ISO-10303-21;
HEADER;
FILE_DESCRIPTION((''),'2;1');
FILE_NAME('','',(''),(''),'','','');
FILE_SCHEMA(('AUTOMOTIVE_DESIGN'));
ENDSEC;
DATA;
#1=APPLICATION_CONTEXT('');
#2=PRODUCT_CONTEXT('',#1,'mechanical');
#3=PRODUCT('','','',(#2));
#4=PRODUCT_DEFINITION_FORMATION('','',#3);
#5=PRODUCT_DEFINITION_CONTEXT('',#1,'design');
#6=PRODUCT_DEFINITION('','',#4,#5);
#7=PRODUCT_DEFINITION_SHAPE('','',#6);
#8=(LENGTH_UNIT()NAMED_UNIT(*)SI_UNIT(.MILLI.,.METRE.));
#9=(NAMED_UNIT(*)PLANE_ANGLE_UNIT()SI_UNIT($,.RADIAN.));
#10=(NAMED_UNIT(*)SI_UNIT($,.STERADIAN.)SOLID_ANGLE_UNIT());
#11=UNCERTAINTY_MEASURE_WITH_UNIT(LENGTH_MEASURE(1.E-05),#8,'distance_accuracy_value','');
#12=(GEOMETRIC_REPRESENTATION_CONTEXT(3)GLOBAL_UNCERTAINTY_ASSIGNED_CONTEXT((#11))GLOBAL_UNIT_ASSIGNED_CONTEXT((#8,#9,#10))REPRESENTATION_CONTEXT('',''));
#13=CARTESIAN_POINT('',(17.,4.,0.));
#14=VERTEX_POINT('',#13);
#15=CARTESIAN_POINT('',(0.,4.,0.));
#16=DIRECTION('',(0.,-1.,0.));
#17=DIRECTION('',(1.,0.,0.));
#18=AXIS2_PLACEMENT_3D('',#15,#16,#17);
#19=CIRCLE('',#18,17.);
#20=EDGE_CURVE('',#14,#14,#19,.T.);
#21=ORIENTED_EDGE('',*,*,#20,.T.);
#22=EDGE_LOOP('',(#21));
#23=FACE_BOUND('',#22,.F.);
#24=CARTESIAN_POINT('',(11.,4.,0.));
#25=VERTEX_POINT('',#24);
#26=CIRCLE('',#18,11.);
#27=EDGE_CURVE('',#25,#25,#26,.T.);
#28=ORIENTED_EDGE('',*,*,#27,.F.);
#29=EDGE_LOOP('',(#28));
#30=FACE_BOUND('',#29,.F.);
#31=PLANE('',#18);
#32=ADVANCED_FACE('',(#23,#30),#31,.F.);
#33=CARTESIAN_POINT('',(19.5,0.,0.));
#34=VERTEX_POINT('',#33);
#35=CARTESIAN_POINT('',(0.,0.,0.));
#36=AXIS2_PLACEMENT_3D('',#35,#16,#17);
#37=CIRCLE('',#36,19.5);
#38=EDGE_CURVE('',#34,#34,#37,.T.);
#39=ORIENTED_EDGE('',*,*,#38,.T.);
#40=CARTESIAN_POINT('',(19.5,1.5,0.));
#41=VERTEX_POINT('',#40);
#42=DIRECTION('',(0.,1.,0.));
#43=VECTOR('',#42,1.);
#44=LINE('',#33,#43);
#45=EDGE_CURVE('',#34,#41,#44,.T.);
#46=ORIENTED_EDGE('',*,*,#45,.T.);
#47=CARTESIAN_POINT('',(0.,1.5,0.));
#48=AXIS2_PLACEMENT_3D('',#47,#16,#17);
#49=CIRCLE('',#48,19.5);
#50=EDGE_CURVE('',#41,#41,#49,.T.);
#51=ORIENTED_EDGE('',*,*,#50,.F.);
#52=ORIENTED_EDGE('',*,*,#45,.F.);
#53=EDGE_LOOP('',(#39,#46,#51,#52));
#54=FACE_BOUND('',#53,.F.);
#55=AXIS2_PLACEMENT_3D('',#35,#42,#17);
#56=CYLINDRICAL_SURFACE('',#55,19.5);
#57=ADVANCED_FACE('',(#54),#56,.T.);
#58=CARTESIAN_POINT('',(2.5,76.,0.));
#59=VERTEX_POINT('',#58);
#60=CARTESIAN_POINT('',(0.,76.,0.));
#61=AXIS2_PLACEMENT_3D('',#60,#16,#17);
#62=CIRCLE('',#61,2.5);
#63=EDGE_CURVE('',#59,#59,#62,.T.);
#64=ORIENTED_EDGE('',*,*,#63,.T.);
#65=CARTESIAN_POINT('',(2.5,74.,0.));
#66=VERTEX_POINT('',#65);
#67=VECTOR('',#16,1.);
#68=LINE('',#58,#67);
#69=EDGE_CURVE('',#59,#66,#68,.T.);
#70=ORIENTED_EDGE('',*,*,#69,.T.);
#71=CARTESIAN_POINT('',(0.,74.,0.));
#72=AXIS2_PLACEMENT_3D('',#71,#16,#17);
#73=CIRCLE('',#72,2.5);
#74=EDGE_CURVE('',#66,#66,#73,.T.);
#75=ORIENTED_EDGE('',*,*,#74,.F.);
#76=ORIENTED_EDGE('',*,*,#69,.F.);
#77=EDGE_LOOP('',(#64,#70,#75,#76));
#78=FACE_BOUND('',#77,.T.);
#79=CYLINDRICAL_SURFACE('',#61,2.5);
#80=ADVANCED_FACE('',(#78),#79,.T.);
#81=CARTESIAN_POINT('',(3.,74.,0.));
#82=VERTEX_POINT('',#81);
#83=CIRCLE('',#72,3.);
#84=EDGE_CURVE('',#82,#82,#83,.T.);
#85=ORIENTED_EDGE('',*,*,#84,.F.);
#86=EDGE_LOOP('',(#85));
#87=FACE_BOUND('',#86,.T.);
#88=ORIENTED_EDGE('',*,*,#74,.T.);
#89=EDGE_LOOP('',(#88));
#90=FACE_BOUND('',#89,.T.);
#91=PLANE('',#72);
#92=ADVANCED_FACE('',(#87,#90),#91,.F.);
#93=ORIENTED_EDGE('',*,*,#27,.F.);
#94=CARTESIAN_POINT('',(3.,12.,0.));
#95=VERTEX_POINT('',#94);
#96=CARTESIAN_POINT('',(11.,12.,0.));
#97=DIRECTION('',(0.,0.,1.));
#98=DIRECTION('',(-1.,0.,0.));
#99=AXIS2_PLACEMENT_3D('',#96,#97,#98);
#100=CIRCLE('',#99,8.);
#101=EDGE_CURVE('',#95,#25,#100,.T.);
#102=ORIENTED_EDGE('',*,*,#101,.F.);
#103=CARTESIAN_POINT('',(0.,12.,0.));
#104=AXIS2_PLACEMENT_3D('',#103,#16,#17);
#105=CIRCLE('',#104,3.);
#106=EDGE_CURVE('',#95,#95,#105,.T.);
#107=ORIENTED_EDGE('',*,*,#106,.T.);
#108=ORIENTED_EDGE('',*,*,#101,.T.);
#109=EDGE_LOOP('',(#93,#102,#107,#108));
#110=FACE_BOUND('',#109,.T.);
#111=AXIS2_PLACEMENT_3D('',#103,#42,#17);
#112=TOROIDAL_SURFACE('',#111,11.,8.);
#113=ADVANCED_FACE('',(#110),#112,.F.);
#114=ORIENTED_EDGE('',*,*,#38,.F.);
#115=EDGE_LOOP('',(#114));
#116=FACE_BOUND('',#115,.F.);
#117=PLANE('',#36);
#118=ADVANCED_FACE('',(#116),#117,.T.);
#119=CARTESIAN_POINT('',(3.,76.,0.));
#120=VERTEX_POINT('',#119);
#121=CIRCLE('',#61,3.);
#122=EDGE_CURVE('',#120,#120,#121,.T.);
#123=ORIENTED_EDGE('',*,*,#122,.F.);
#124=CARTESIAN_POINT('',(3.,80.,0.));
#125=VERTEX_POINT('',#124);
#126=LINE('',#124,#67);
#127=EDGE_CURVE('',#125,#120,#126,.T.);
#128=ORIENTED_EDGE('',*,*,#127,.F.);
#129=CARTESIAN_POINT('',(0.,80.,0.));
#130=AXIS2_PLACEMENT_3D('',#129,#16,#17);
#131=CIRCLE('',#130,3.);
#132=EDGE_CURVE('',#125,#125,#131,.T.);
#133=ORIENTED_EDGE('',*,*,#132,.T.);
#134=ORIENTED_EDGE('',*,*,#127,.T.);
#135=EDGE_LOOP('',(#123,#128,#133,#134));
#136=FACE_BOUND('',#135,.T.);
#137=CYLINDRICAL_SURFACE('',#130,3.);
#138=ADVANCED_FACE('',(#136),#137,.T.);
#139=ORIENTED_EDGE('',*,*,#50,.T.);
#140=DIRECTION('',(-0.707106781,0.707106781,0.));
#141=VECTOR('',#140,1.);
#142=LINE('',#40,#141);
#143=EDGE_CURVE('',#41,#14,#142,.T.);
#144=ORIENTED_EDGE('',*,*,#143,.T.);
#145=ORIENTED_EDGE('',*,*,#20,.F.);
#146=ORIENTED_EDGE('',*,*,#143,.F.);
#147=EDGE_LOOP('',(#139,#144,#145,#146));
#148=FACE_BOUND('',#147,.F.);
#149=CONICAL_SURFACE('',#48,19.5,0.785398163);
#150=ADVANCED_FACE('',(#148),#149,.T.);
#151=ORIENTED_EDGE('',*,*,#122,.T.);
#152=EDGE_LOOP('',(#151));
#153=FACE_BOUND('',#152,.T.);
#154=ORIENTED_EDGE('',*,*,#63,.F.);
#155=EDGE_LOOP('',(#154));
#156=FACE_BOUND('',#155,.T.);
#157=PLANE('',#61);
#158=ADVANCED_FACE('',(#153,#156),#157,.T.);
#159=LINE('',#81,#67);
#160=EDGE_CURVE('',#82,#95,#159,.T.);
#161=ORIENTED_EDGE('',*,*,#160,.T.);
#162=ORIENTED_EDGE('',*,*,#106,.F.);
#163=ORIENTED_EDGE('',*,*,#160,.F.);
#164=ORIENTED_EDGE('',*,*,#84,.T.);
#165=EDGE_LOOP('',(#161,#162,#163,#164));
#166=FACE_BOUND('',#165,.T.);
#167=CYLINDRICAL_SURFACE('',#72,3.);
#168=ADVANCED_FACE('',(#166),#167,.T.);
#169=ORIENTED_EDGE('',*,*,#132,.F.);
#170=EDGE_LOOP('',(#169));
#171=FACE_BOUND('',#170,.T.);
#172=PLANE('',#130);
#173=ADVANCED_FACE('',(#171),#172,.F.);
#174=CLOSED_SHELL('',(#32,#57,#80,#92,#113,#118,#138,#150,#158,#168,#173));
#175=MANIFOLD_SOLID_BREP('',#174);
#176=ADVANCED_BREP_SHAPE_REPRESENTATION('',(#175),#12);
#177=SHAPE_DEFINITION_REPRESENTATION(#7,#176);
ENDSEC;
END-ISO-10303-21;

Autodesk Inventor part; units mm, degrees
ref_plane "YZ Plane" through (0, 0, 0) normal (1, 0, 0) x (0, 1, 0)
ref_plane "XZ Plane" through (0, 0, 0) normal (0, 1, 0) x (-1, 0, 0)
ref_plane "XY Plane" through (0, 0, 0) normal (0, 0, 1) x (1, 0, 0)
sketch "Эскиз1" plane through (0, 0, 0) normal (0, 0, 1) x (1, 0, 0)
  line L0 (0, 0) -> (19.5, 0)
  line L1 (19.5, 0) -> (19.5, 1.5)
  line L2 (19.5, 1.5) -> (17, 4)
  line L3 (0, 80) -> (3, 80)
  line L4 (17, 4) -> (11, 4)
  arc A0 (3, 12) -> (11, 4) centre (11, 12) ccw
  line L5 (3, 80) -> (3, 76)
  line L6 (3, 76) -> (2.5, 76)
  line L7 (2.5, 76) -> (2.5, 74)
  line L8 (2.5, 74) -> (3, 74)
  line L9 (3, 80) -> (3, 76)
  line L10 (3, 74) -> (3, 12)
  line L11 (0, 80) -> (0, 0)
  dimension "d0" = 19.5
  dimension "d1" = 1.5
  dimension "d2" = 45
  dimension "d3" = 17
  dimension "d4" = 3
  dimension "d5" = 8
  dimension "d6" = 80
  dimension "d7" = 4
  dimension "d8" = 2
  dimension "d9" = 0.5
revolve "Вращение1" add sketch "Эскиз1" angle 360 about axis through (0, 80, 0) along (0, -1, 0)
properties part number "выпускной_клапан"
